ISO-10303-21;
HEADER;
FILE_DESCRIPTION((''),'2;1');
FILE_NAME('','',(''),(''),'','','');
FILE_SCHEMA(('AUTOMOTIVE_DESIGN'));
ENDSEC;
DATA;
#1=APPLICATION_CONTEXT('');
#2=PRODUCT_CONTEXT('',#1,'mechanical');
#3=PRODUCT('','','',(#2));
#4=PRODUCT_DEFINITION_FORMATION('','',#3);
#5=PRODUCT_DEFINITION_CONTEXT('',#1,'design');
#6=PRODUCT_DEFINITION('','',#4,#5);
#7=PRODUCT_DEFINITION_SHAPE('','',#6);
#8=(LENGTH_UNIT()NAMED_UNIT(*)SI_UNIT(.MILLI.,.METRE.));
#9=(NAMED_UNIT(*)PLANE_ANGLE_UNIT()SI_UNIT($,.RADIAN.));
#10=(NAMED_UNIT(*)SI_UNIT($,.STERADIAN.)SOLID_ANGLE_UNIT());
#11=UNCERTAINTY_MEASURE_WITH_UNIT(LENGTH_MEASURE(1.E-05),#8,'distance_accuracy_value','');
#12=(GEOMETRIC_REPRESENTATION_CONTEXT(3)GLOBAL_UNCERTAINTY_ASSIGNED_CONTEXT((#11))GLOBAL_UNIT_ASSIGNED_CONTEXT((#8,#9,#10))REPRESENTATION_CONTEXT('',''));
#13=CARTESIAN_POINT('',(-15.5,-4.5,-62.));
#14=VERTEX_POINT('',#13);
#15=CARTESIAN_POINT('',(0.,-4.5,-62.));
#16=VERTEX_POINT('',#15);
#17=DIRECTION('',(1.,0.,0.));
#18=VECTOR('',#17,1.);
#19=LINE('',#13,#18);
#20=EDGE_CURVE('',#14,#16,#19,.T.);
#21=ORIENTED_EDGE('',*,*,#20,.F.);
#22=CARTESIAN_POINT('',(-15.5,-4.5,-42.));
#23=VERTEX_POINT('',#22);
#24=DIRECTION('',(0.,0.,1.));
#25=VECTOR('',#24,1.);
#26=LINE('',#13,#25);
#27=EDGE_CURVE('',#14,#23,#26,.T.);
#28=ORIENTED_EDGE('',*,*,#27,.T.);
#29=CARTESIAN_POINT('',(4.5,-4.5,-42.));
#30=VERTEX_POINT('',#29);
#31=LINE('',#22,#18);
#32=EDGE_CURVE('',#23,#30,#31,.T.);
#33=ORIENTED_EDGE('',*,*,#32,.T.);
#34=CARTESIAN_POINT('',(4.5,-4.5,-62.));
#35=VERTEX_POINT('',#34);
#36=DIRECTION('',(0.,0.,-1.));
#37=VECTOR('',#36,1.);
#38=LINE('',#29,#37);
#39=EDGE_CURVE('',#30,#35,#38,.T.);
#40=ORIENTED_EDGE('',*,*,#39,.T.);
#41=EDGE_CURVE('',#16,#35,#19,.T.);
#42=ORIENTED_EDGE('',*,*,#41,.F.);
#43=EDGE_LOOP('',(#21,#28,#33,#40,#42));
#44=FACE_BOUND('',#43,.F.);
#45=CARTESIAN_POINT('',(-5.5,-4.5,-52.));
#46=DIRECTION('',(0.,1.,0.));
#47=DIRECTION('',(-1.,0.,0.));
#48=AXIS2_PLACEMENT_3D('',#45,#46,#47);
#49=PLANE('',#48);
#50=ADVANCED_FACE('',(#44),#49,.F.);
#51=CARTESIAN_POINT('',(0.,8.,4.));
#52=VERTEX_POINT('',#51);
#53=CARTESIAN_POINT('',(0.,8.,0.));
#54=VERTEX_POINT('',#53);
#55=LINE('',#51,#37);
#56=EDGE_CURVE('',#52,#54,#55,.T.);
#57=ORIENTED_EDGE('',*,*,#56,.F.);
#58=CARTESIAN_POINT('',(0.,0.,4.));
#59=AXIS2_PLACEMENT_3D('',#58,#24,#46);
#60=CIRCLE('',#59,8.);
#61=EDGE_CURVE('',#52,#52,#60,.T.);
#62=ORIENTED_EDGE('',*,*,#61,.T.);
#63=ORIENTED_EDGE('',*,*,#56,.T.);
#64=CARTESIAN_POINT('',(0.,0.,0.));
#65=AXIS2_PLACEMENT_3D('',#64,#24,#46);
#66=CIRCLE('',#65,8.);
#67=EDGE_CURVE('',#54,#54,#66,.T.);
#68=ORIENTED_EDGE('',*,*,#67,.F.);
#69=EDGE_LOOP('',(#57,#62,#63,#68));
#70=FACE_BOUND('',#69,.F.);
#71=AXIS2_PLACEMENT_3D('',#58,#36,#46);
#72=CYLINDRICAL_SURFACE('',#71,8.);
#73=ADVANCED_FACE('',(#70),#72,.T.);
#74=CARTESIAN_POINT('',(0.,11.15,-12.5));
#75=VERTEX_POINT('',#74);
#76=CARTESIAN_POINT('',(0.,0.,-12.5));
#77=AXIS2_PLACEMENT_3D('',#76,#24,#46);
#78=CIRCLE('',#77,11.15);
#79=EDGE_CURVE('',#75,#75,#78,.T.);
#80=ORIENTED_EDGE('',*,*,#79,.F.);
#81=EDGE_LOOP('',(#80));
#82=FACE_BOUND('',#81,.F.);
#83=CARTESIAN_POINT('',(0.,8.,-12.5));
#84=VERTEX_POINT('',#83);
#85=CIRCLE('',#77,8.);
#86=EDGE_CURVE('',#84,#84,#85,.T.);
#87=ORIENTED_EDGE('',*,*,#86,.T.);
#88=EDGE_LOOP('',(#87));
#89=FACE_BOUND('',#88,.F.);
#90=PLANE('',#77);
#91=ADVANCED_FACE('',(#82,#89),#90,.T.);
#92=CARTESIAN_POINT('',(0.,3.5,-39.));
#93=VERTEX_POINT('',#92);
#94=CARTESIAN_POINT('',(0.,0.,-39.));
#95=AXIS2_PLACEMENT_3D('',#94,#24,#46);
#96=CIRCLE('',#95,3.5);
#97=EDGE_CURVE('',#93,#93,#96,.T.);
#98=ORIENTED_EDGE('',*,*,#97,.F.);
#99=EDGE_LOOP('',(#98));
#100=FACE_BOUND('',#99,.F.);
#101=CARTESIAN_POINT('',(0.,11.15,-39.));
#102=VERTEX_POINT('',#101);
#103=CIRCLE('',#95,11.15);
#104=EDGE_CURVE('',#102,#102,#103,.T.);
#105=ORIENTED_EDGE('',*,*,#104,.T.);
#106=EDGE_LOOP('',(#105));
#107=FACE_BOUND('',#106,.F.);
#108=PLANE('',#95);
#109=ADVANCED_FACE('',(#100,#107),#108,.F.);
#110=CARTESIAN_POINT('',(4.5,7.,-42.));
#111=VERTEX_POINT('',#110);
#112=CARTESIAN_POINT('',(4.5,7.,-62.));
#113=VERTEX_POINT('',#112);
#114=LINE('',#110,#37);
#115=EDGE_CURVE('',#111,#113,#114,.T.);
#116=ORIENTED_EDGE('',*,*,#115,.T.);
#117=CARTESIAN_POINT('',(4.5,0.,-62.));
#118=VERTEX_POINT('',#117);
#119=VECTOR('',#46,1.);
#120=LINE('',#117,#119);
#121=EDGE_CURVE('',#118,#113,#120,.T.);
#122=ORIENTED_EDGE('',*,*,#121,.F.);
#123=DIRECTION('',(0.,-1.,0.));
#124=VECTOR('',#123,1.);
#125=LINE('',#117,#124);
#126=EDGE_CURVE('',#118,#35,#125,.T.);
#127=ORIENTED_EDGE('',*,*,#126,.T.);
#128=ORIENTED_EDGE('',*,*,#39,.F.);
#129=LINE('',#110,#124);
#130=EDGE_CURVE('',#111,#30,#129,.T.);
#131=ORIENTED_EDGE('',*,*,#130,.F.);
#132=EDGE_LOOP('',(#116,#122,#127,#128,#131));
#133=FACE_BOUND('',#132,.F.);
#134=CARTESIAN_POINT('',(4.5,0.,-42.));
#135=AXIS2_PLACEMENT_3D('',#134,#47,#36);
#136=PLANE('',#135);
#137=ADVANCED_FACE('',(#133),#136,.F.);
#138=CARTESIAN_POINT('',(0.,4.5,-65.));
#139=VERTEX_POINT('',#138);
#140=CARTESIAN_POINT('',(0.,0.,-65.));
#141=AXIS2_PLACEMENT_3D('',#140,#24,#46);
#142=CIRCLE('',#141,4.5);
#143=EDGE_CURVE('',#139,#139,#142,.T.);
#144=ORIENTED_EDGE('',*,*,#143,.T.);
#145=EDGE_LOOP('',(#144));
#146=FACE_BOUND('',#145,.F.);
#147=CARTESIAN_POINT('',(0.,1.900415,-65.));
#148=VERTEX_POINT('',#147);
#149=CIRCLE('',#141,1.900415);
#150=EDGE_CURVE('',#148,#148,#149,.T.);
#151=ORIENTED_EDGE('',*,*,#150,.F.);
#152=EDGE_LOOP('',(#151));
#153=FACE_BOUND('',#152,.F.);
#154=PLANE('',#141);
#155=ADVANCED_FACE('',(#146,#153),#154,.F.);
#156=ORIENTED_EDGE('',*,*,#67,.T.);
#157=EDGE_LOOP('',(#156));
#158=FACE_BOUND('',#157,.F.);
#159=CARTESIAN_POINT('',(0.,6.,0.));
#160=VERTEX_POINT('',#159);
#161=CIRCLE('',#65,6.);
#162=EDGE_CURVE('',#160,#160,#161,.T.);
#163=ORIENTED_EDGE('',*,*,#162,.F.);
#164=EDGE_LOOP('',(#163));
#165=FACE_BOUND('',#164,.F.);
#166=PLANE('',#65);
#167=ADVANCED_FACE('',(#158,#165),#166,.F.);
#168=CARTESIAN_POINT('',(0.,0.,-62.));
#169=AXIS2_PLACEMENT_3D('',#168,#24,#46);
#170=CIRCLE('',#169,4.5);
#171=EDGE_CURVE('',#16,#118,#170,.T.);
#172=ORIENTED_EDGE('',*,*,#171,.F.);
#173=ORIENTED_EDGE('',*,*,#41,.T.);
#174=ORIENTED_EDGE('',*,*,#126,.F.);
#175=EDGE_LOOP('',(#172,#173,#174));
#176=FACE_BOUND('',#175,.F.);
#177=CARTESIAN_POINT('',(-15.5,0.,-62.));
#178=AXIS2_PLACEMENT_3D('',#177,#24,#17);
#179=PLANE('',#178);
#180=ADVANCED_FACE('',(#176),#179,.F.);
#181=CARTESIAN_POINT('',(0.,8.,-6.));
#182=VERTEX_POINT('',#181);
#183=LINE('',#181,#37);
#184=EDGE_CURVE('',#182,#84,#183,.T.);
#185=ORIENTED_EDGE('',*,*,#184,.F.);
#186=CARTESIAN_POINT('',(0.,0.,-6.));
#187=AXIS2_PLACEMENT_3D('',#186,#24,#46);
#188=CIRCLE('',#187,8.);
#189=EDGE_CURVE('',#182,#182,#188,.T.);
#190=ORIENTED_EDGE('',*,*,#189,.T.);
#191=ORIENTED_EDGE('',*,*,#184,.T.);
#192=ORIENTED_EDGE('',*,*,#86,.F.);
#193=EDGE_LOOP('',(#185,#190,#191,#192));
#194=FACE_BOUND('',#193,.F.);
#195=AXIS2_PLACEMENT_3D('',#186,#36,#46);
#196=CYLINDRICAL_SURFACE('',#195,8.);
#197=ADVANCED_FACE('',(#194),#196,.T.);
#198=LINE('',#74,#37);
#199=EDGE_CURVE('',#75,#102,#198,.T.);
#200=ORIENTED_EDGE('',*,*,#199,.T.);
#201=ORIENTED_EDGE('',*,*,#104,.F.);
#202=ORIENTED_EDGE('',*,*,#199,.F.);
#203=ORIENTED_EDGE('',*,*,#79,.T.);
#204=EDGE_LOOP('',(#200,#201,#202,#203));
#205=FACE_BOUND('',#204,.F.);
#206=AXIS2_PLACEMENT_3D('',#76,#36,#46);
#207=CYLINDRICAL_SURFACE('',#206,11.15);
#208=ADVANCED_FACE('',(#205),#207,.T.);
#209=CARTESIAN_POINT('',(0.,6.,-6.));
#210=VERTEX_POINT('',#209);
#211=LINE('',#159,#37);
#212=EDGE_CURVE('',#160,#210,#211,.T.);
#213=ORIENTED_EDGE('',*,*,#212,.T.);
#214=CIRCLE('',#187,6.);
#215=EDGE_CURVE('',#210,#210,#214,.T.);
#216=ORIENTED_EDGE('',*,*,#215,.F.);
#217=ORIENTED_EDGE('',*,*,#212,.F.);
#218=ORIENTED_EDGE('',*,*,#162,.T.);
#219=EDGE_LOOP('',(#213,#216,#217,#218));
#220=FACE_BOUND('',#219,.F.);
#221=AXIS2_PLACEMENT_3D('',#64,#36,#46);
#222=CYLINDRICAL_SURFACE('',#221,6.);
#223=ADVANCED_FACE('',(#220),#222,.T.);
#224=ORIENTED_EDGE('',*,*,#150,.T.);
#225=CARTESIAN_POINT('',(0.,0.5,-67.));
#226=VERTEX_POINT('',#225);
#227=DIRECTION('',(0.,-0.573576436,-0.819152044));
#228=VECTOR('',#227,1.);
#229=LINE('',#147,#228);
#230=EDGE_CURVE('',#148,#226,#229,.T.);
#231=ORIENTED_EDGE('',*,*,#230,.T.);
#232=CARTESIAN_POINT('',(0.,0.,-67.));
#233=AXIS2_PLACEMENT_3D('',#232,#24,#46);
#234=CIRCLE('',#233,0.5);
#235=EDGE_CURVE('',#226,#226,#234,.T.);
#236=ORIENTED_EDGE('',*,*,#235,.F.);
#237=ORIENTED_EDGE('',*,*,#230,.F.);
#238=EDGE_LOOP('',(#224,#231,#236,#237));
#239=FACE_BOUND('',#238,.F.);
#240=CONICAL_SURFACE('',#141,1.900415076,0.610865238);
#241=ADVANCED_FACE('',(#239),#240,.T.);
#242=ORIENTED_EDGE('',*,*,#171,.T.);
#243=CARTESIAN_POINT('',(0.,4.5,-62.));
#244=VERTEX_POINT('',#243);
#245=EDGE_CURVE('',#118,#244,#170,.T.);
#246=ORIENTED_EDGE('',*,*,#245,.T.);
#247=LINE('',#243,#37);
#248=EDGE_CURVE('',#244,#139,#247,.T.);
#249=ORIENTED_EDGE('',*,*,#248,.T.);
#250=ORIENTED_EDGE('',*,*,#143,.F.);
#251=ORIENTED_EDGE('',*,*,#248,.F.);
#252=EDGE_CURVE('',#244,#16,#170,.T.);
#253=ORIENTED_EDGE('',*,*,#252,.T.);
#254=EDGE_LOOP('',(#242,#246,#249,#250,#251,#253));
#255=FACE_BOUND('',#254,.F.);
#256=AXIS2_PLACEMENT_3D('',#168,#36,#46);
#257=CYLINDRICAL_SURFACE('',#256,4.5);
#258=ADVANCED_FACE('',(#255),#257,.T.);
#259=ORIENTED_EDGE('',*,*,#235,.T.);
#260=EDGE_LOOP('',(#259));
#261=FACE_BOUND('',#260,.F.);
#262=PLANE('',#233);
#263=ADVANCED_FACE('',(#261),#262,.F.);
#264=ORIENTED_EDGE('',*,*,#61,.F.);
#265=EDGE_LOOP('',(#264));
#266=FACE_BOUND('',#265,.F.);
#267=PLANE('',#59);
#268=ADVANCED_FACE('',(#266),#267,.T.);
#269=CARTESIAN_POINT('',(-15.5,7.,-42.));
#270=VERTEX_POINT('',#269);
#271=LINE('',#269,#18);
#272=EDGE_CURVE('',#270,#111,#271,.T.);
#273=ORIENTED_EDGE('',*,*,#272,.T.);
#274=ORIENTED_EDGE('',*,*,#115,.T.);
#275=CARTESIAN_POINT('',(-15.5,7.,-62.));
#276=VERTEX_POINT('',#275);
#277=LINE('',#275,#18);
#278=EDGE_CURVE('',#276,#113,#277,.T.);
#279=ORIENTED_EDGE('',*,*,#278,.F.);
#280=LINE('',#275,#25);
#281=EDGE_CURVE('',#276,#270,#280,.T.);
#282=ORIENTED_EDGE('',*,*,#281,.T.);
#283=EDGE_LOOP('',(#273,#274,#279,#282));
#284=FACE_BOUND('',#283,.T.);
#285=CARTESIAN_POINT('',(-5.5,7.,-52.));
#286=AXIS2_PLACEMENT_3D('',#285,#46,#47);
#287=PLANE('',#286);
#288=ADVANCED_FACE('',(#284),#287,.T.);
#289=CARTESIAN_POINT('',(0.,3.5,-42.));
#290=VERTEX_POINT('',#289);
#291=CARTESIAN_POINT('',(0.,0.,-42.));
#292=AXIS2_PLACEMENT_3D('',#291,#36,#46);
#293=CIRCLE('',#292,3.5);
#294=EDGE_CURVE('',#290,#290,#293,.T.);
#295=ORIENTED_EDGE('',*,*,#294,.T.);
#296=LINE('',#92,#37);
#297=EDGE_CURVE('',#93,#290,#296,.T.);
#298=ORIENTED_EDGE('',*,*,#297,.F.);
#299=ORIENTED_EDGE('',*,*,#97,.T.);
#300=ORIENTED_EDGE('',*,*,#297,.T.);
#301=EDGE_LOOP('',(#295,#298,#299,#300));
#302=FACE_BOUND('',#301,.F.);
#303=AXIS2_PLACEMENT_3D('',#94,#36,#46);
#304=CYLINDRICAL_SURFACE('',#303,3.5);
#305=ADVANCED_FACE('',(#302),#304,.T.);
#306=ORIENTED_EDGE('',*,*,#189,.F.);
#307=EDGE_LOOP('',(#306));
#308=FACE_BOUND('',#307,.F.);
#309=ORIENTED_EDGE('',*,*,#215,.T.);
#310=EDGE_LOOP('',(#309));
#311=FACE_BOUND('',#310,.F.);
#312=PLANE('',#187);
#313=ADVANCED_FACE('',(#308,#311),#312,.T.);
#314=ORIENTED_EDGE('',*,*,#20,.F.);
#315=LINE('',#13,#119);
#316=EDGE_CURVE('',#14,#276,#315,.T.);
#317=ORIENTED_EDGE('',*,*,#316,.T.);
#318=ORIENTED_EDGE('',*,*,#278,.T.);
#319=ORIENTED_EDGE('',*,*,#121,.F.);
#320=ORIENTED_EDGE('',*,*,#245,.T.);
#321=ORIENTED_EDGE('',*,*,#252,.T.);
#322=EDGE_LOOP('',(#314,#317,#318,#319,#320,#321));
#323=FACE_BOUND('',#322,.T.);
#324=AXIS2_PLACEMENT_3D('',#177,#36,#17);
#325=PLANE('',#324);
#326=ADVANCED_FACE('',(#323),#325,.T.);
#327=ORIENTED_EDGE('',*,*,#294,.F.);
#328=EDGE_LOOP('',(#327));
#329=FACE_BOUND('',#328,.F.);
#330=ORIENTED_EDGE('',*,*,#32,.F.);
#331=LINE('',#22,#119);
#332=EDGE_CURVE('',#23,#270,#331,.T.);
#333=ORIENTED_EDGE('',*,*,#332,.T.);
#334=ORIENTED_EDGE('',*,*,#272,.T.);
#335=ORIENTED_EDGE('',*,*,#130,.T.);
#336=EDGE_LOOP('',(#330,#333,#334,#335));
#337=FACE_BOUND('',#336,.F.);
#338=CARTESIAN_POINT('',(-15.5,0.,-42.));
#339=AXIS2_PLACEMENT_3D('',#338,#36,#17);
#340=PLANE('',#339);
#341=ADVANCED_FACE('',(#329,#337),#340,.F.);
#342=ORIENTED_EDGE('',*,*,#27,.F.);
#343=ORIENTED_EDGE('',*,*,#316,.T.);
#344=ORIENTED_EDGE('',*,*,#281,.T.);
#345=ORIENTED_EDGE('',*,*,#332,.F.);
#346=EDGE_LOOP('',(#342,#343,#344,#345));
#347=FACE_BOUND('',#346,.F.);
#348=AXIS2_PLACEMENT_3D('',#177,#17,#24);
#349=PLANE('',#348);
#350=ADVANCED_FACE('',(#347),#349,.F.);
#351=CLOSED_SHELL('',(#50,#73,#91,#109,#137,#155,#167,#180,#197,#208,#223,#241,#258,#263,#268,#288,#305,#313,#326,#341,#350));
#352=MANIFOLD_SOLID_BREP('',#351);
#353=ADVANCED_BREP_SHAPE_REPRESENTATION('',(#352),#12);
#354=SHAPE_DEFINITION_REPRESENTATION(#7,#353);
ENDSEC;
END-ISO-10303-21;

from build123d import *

# Parameters (mm, degrees)
PAD006_DEPTH = 4.5
PAD007_DEPTH = 7


with BuildPart() as part:
    # Sketch015 → Revolution (revolve)
    with BuildSketch(Plane.YZ):
        Polygon((0, 4), (8, 4), (8, 0), (6, 0), (6, -6), (8, -6), (8, -12.5), (11.15, -12.5), (11.15, -39), (3.5, -39), (3.5, -62), (4.5, -62), (4.5, -65), (1.9004150762, -65), (0.5, -67), (0, -67), align=None)
    revolve(axis=Axis((0, 0, 0), (0, 0, 1)))

    # Sketch016 → Pad006 (new body)
    with BuildSketch(Plane.XZ):
        Polygon((-3.5, -62), (-15.5, -62), (-15.5, -42), (4.5, -42), (4.5, -62), (3.5, -62), align=None)
    extrude(amount=PAD006_DEPTH)

    # Sketch016 → Pad007 (join)
    with BuildSketch(Plane.XZ):
        Polygon((-3.5, -62), (-15.5, -62), (-15.5, -42), (4.5, -42), (4.5, -62), (3.5, -62), align=None)
    extrude(amount=-PAD007_DEPTH)


solid = part.part
